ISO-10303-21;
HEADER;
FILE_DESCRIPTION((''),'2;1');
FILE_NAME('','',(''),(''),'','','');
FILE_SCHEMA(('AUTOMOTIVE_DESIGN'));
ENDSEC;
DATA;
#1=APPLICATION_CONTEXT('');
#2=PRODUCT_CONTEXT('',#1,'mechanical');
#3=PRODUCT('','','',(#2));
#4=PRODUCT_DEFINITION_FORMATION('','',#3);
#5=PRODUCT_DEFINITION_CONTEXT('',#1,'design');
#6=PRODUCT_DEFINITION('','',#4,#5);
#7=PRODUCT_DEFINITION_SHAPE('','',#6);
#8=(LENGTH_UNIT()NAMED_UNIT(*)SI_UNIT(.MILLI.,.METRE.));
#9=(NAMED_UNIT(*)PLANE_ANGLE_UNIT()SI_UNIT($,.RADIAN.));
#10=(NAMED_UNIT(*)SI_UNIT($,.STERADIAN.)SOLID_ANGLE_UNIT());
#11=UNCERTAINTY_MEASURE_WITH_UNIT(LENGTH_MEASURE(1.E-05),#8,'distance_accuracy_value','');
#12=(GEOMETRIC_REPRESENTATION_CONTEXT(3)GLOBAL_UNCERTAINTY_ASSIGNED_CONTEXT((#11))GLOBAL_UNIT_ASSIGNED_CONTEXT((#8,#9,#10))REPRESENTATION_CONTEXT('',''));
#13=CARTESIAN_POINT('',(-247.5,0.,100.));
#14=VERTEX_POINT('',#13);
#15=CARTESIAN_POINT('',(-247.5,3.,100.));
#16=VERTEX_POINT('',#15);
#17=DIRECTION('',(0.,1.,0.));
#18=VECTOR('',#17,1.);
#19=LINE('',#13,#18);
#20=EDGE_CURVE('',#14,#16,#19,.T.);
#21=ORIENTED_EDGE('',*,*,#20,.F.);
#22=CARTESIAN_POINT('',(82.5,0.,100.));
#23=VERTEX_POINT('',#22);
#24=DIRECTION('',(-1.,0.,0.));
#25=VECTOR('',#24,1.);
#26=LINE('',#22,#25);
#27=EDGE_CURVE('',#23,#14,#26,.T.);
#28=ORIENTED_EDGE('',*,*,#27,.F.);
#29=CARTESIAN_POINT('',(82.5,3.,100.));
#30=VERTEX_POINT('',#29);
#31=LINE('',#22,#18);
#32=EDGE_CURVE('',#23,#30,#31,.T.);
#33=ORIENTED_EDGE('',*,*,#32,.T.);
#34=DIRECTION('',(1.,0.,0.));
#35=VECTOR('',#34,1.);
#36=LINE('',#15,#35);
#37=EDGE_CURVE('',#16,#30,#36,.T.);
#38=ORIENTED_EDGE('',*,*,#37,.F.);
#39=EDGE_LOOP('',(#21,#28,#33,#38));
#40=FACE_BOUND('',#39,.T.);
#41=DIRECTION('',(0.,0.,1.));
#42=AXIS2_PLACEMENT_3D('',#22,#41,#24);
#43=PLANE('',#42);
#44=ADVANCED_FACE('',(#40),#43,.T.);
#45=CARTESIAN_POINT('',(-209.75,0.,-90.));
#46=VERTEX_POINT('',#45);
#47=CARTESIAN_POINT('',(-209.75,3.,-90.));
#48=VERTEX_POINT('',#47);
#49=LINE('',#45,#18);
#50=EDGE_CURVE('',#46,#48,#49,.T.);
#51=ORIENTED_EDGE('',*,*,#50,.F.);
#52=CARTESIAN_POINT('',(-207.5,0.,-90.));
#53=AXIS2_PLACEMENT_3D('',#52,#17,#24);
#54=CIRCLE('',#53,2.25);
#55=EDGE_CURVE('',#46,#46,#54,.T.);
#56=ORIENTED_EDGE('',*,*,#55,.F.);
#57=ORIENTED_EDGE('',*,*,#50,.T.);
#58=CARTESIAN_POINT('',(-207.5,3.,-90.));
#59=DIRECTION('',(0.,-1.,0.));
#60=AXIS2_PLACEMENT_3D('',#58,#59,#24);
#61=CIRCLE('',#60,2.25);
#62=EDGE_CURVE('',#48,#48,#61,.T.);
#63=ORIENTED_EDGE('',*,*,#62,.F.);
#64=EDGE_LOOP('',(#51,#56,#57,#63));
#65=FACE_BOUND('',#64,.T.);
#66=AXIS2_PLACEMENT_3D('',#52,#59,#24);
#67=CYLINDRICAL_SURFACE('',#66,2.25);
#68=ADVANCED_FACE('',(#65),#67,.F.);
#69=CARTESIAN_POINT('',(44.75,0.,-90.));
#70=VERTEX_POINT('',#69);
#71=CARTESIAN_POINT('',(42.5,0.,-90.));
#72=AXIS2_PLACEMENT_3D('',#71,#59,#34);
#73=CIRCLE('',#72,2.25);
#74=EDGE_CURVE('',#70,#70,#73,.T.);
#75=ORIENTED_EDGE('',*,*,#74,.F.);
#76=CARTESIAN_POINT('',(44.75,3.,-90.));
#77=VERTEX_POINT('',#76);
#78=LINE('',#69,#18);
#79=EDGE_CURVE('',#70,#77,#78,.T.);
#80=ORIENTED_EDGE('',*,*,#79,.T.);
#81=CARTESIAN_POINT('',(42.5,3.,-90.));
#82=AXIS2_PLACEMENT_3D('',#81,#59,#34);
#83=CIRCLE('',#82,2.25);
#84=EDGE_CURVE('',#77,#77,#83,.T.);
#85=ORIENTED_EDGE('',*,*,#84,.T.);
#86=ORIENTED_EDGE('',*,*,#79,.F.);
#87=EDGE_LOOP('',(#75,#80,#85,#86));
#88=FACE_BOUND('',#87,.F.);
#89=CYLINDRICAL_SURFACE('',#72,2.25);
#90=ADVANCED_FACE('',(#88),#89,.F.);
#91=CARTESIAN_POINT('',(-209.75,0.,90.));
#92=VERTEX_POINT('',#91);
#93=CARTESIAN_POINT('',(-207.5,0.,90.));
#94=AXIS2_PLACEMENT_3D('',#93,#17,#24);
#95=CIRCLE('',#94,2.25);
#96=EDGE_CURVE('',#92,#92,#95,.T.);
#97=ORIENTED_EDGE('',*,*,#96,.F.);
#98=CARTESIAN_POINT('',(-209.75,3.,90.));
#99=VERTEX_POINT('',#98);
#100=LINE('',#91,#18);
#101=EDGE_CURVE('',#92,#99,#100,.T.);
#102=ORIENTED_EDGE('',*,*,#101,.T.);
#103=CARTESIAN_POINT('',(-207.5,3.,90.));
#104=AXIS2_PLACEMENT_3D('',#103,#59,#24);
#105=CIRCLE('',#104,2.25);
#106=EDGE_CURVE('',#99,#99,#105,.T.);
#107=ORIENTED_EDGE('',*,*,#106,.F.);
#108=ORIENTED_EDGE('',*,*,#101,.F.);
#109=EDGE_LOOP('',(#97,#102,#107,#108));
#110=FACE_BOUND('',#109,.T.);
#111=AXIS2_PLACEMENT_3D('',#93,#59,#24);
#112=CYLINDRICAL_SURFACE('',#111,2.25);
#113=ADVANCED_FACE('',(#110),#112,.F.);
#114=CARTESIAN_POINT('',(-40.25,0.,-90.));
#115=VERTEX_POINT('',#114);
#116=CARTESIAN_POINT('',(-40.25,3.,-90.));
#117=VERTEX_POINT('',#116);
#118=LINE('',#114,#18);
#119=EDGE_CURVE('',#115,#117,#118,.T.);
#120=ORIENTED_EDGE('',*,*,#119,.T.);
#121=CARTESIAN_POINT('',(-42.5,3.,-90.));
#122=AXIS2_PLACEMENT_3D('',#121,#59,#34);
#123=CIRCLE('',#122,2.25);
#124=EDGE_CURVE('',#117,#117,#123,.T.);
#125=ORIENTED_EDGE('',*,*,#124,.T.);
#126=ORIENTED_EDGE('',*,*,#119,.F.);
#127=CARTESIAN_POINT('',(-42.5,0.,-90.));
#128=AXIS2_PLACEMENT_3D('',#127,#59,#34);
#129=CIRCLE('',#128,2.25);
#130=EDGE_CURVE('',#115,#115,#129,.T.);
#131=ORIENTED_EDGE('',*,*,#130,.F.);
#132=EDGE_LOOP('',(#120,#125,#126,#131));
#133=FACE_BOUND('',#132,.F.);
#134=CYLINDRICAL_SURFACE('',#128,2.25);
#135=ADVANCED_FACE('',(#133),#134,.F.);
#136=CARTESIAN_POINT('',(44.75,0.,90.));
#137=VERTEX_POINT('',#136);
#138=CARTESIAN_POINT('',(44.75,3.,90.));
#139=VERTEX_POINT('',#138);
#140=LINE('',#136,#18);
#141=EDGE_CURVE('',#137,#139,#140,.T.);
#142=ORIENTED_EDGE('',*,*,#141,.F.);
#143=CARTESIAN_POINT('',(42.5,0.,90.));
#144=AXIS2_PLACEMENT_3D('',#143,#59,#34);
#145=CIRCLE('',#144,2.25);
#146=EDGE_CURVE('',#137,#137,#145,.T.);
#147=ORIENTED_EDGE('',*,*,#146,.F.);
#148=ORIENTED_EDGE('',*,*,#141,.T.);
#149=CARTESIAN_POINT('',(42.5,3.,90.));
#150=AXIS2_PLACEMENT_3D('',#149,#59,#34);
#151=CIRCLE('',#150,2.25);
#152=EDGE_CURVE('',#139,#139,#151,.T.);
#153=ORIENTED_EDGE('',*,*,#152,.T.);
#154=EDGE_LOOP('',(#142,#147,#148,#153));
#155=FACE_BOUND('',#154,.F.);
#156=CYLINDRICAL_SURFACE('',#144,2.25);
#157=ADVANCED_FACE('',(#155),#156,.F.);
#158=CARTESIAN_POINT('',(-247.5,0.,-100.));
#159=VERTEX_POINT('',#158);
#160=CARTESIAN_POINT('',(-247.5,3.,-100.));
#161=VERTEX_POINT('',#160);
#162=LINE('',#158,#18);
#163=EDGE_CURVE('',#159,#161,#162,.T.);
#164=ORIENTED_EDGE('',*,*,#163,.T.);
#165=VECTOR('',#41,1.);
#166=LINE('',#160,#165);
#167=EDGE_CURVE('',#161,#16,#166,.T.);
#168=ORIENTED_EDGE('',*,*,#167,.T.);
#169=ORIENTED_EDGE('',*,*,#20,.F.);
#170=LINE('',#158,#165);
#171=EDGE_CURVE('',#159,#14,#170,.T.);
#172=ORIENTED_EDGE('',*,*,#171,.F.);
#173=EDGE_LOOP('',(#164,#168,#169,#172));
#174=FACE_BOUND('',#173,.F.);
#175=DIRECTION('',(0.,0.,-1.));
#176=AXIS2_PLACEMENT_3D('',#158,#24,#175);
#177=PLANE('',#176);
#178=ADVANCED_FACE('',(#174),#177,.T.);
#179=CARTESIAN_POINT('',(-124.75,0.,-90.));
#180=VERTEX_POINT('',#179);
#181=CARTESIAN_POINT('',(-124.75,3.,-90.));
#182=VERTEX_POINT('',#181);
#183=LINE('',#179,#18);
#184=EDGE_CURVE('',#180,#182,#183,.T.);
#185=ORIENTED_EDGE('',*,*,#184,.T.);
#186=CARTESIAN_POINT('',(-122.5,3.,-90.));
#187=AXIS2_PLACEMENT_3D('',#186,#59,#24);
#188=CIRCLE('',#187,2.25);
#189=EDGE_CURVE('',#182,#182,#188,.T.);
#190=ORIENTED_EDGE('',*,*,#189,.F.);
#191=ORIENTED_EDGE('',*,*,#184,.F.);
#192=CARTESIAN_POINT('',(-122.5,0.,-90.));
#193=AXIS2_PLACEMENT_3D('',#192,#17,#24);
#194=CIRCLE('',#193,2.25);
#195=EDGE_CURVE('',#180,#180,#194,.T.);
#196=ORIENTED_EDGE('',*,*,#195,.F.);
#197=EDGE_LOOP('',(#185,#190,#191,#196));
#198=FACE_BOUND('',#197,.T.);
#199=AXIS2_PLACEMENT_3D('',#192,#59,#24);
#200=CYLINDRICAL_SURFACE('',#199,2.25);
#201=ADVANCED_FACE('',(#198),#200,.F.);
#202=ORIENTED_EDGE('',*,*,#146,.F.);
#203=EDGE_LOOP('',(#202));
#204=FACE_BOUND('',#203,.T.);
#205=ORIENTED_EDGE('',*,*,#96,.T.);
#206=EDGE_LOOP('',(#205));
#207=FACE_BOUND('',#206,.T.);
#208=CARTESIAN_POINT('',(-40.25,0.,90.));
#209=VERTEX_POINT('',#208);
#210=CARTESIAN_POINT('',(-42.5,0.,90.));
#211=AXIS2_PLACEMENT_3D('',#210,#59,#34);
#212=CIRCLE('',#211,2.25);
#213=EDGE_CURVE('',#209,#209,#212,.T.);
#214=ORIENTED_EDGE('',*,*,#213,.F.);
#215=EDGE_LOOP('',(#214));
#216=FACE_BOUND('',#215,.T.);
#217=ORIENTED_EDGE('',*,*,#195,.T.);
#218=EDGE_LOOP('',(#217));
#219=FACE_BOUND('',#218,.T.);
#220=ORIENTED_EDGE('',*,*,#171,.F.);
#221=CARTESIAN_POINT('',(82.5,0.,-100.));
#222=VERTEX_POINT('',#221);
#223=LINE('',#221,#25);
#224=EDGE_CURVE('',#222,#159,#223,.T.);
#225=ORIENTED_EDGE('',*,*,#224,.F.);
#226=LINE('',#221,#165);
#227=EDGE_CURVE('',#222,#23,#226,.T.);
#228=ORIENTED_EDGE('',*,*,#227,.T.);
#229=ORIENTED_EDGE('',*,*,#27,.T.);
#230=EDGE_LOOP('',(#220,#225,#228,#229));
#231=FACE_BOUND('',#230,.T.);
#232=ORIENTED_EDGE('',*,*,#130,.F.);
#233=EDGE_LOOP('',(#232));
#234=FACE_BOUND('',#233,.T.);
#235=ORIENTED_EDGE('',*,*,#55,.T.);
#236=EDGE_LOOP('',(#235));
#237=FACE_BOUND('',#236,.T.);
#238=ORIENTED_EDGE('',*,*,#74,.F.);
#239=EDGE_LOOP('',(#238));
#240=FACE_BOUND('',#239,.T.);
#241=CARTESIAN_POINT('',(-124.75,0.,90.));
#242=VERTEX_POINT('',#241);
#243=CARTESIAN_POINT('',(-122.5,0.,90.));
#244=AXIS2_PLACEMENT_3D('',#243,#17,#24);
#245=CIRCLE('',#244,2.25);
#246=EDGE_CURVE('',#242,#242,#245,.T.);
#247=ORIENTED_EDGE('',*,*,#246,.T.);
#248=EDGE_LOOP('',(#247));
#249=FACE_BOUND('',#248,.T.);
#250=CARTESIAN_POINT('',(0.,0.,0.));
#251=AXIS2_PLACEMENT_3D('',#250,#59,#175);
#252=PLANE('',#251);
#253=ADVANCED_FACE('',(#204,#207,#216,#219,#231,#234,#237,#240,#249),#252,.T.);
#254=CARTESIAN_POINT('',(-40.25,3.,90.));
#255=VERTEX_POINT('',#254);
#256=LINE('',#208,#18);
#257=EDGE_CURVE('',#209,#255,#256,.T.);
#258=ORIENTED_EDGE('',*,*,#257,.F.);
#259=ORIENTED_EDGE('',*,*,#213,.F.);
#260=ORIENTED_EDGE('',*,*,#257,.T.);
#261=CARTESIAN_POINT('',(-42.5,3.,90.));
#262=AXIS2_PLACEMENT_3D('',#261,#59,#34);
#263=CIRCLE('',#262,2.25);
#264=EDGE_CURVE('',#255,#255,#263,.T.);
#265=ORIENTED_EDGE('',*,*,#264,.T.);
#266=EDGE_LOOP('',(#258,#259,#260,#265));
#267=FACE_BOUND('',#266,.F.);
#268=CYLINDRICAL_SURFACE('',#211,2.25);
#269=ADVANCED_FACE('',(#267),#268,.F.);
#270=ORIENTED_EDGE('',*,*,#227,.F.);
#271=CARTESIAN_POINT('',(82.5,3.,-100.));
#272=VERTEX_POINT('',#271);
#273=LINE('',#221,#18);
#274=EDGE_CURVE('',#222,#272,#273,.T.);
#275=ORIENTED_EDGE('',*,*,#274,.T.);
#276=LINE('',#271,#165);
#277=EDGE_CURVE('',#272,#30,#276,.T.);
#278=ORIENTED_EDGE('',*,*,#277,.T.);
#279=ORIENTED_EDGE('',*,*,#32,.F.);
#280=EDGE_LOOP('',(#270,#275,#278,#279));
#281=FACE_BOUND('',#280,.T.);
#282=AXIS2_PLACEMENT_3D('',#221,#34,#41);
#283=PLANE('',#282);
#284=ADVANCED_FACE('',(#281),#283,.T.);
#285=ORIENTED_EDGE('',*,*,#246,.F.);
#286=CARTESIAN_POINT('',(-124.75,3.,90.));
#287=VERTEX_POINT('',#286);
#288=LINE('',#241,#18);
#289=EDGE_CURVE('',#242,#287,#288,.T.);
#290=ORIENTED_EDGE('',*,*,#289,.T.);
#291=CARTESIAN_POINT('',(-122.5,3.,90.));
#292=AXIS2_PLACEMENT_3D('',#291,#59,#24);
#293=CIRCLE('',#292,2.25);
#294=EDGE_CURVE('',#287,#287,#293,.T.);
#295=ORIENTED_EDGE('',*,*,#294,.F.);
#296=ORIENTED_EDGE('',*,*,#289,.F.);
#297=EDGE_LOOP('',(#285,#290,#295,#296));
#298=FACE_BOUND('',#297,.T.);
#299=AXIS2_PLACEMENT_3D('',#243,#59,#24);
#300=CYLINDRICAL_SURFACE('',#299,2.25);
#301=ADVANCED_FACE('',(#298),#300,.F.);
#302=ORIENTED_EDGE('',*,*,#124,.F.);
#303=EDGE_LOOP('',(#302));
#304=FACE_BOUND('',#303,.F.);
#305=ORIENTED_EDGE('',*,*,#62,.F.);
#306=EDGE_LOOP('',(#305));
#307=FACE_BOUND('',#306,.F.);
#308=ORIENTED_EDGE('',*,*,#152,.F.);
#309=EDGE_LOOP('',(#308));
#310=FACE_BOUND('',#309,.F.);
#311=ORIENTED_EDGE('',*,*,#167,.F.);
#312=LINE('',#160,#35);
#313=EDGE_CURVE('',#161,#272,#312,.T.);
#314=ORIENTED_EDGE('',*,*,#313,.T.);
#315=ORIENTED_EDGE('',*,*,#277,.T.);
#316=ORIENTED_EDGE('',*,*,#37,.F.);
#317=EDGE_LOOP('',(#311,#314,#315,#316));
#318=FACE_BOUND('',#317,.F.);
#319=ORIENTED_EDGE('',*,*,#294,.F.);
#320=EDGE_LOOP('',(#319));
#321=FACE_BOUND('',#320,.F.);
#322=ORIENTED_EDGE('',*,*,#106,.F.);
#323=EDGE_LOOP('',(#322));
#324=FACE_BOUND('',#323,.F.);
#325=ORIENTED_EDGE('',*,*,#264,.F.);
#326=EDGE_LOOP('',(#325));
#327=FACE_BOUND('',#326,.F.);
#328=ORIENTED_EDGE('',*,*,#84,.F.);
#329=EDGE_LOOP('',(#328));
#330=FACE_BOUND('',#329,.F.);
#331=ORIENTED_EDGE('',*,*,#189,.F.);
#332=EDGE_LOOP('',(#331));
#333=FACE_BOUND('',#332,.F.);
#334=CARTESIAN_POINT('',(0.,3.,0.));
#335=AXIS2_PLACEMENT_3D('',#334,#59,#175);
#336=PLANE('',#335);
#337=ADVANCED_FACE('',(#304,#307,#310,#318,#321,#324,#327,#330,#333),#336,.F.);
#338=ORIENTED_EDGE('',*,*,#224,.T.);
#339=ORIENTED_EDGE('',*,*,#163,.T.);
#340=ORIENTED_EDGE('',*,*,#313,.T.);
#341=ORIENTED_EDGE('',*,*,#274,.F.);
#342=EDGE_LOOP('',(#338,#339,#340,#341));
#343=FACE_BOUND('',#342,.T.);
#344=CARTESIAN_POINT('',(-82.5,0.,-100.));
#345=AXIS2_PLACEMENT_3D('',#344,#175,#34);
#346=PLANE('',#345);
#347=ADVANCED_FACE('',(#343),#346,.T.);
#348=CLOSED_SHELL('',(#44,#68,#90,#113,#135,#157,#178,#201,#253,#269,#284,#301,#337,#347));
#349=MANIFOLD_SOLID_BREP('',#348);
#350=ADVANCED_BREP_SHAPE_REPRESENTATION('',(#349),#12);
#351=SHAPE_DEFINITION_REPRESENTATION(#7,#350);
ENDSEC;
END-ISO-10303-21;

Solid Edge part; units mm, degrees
sketch "Sketch1" plane through (0, 0, 0) normal (0, -1, 0) x (1, 0, 0)
  line L0 (-82.5, -100) -> (82.5, -100)
  line L1 (82.5, -100) -> (82.5, 100)
  line L2 (82.5, 100) -> (-82.5, 100)
  line L3 (-82.5, 100) -> (-82.5, -100)
  dimension "D1" = 200
  dimension "D2" = 165
extrude "Protrusion1" add sketch "Sketch1" against normal blind 3
sketch "Sketch2" plane through (0, 0, 0) normal (0, -1, 0) x (1, 0, 0)
  circle A0 centre (-42.5, 90) radius 2.25
  circle A1 centre (42.5, 90) radius 2.25
  dimension "D1" = 85
  dimension "D2" = 10
  dimension "D3" = 4.5
extrude "Cutout1" cut sketch "Sketch2" against normal through all
sketch "Sketch3" plane through (0, 0, 0) normal (0, -1, 0) x (1, 0, 0)
  circle A0 centre (42.5, -90) radius 2.25
  circle A1 centre (-42.5, -90) radius 2.25
extrude "Cutout2" cut sketch "Sketch3" against normal through all
mirror "Mirror1" about plane through (-82.5, 1.5, 0) normal (-1, 0, 0) of "Protrusion1", "Cutout1", "Cutout2"
properties material "Acryl, hochfest"
